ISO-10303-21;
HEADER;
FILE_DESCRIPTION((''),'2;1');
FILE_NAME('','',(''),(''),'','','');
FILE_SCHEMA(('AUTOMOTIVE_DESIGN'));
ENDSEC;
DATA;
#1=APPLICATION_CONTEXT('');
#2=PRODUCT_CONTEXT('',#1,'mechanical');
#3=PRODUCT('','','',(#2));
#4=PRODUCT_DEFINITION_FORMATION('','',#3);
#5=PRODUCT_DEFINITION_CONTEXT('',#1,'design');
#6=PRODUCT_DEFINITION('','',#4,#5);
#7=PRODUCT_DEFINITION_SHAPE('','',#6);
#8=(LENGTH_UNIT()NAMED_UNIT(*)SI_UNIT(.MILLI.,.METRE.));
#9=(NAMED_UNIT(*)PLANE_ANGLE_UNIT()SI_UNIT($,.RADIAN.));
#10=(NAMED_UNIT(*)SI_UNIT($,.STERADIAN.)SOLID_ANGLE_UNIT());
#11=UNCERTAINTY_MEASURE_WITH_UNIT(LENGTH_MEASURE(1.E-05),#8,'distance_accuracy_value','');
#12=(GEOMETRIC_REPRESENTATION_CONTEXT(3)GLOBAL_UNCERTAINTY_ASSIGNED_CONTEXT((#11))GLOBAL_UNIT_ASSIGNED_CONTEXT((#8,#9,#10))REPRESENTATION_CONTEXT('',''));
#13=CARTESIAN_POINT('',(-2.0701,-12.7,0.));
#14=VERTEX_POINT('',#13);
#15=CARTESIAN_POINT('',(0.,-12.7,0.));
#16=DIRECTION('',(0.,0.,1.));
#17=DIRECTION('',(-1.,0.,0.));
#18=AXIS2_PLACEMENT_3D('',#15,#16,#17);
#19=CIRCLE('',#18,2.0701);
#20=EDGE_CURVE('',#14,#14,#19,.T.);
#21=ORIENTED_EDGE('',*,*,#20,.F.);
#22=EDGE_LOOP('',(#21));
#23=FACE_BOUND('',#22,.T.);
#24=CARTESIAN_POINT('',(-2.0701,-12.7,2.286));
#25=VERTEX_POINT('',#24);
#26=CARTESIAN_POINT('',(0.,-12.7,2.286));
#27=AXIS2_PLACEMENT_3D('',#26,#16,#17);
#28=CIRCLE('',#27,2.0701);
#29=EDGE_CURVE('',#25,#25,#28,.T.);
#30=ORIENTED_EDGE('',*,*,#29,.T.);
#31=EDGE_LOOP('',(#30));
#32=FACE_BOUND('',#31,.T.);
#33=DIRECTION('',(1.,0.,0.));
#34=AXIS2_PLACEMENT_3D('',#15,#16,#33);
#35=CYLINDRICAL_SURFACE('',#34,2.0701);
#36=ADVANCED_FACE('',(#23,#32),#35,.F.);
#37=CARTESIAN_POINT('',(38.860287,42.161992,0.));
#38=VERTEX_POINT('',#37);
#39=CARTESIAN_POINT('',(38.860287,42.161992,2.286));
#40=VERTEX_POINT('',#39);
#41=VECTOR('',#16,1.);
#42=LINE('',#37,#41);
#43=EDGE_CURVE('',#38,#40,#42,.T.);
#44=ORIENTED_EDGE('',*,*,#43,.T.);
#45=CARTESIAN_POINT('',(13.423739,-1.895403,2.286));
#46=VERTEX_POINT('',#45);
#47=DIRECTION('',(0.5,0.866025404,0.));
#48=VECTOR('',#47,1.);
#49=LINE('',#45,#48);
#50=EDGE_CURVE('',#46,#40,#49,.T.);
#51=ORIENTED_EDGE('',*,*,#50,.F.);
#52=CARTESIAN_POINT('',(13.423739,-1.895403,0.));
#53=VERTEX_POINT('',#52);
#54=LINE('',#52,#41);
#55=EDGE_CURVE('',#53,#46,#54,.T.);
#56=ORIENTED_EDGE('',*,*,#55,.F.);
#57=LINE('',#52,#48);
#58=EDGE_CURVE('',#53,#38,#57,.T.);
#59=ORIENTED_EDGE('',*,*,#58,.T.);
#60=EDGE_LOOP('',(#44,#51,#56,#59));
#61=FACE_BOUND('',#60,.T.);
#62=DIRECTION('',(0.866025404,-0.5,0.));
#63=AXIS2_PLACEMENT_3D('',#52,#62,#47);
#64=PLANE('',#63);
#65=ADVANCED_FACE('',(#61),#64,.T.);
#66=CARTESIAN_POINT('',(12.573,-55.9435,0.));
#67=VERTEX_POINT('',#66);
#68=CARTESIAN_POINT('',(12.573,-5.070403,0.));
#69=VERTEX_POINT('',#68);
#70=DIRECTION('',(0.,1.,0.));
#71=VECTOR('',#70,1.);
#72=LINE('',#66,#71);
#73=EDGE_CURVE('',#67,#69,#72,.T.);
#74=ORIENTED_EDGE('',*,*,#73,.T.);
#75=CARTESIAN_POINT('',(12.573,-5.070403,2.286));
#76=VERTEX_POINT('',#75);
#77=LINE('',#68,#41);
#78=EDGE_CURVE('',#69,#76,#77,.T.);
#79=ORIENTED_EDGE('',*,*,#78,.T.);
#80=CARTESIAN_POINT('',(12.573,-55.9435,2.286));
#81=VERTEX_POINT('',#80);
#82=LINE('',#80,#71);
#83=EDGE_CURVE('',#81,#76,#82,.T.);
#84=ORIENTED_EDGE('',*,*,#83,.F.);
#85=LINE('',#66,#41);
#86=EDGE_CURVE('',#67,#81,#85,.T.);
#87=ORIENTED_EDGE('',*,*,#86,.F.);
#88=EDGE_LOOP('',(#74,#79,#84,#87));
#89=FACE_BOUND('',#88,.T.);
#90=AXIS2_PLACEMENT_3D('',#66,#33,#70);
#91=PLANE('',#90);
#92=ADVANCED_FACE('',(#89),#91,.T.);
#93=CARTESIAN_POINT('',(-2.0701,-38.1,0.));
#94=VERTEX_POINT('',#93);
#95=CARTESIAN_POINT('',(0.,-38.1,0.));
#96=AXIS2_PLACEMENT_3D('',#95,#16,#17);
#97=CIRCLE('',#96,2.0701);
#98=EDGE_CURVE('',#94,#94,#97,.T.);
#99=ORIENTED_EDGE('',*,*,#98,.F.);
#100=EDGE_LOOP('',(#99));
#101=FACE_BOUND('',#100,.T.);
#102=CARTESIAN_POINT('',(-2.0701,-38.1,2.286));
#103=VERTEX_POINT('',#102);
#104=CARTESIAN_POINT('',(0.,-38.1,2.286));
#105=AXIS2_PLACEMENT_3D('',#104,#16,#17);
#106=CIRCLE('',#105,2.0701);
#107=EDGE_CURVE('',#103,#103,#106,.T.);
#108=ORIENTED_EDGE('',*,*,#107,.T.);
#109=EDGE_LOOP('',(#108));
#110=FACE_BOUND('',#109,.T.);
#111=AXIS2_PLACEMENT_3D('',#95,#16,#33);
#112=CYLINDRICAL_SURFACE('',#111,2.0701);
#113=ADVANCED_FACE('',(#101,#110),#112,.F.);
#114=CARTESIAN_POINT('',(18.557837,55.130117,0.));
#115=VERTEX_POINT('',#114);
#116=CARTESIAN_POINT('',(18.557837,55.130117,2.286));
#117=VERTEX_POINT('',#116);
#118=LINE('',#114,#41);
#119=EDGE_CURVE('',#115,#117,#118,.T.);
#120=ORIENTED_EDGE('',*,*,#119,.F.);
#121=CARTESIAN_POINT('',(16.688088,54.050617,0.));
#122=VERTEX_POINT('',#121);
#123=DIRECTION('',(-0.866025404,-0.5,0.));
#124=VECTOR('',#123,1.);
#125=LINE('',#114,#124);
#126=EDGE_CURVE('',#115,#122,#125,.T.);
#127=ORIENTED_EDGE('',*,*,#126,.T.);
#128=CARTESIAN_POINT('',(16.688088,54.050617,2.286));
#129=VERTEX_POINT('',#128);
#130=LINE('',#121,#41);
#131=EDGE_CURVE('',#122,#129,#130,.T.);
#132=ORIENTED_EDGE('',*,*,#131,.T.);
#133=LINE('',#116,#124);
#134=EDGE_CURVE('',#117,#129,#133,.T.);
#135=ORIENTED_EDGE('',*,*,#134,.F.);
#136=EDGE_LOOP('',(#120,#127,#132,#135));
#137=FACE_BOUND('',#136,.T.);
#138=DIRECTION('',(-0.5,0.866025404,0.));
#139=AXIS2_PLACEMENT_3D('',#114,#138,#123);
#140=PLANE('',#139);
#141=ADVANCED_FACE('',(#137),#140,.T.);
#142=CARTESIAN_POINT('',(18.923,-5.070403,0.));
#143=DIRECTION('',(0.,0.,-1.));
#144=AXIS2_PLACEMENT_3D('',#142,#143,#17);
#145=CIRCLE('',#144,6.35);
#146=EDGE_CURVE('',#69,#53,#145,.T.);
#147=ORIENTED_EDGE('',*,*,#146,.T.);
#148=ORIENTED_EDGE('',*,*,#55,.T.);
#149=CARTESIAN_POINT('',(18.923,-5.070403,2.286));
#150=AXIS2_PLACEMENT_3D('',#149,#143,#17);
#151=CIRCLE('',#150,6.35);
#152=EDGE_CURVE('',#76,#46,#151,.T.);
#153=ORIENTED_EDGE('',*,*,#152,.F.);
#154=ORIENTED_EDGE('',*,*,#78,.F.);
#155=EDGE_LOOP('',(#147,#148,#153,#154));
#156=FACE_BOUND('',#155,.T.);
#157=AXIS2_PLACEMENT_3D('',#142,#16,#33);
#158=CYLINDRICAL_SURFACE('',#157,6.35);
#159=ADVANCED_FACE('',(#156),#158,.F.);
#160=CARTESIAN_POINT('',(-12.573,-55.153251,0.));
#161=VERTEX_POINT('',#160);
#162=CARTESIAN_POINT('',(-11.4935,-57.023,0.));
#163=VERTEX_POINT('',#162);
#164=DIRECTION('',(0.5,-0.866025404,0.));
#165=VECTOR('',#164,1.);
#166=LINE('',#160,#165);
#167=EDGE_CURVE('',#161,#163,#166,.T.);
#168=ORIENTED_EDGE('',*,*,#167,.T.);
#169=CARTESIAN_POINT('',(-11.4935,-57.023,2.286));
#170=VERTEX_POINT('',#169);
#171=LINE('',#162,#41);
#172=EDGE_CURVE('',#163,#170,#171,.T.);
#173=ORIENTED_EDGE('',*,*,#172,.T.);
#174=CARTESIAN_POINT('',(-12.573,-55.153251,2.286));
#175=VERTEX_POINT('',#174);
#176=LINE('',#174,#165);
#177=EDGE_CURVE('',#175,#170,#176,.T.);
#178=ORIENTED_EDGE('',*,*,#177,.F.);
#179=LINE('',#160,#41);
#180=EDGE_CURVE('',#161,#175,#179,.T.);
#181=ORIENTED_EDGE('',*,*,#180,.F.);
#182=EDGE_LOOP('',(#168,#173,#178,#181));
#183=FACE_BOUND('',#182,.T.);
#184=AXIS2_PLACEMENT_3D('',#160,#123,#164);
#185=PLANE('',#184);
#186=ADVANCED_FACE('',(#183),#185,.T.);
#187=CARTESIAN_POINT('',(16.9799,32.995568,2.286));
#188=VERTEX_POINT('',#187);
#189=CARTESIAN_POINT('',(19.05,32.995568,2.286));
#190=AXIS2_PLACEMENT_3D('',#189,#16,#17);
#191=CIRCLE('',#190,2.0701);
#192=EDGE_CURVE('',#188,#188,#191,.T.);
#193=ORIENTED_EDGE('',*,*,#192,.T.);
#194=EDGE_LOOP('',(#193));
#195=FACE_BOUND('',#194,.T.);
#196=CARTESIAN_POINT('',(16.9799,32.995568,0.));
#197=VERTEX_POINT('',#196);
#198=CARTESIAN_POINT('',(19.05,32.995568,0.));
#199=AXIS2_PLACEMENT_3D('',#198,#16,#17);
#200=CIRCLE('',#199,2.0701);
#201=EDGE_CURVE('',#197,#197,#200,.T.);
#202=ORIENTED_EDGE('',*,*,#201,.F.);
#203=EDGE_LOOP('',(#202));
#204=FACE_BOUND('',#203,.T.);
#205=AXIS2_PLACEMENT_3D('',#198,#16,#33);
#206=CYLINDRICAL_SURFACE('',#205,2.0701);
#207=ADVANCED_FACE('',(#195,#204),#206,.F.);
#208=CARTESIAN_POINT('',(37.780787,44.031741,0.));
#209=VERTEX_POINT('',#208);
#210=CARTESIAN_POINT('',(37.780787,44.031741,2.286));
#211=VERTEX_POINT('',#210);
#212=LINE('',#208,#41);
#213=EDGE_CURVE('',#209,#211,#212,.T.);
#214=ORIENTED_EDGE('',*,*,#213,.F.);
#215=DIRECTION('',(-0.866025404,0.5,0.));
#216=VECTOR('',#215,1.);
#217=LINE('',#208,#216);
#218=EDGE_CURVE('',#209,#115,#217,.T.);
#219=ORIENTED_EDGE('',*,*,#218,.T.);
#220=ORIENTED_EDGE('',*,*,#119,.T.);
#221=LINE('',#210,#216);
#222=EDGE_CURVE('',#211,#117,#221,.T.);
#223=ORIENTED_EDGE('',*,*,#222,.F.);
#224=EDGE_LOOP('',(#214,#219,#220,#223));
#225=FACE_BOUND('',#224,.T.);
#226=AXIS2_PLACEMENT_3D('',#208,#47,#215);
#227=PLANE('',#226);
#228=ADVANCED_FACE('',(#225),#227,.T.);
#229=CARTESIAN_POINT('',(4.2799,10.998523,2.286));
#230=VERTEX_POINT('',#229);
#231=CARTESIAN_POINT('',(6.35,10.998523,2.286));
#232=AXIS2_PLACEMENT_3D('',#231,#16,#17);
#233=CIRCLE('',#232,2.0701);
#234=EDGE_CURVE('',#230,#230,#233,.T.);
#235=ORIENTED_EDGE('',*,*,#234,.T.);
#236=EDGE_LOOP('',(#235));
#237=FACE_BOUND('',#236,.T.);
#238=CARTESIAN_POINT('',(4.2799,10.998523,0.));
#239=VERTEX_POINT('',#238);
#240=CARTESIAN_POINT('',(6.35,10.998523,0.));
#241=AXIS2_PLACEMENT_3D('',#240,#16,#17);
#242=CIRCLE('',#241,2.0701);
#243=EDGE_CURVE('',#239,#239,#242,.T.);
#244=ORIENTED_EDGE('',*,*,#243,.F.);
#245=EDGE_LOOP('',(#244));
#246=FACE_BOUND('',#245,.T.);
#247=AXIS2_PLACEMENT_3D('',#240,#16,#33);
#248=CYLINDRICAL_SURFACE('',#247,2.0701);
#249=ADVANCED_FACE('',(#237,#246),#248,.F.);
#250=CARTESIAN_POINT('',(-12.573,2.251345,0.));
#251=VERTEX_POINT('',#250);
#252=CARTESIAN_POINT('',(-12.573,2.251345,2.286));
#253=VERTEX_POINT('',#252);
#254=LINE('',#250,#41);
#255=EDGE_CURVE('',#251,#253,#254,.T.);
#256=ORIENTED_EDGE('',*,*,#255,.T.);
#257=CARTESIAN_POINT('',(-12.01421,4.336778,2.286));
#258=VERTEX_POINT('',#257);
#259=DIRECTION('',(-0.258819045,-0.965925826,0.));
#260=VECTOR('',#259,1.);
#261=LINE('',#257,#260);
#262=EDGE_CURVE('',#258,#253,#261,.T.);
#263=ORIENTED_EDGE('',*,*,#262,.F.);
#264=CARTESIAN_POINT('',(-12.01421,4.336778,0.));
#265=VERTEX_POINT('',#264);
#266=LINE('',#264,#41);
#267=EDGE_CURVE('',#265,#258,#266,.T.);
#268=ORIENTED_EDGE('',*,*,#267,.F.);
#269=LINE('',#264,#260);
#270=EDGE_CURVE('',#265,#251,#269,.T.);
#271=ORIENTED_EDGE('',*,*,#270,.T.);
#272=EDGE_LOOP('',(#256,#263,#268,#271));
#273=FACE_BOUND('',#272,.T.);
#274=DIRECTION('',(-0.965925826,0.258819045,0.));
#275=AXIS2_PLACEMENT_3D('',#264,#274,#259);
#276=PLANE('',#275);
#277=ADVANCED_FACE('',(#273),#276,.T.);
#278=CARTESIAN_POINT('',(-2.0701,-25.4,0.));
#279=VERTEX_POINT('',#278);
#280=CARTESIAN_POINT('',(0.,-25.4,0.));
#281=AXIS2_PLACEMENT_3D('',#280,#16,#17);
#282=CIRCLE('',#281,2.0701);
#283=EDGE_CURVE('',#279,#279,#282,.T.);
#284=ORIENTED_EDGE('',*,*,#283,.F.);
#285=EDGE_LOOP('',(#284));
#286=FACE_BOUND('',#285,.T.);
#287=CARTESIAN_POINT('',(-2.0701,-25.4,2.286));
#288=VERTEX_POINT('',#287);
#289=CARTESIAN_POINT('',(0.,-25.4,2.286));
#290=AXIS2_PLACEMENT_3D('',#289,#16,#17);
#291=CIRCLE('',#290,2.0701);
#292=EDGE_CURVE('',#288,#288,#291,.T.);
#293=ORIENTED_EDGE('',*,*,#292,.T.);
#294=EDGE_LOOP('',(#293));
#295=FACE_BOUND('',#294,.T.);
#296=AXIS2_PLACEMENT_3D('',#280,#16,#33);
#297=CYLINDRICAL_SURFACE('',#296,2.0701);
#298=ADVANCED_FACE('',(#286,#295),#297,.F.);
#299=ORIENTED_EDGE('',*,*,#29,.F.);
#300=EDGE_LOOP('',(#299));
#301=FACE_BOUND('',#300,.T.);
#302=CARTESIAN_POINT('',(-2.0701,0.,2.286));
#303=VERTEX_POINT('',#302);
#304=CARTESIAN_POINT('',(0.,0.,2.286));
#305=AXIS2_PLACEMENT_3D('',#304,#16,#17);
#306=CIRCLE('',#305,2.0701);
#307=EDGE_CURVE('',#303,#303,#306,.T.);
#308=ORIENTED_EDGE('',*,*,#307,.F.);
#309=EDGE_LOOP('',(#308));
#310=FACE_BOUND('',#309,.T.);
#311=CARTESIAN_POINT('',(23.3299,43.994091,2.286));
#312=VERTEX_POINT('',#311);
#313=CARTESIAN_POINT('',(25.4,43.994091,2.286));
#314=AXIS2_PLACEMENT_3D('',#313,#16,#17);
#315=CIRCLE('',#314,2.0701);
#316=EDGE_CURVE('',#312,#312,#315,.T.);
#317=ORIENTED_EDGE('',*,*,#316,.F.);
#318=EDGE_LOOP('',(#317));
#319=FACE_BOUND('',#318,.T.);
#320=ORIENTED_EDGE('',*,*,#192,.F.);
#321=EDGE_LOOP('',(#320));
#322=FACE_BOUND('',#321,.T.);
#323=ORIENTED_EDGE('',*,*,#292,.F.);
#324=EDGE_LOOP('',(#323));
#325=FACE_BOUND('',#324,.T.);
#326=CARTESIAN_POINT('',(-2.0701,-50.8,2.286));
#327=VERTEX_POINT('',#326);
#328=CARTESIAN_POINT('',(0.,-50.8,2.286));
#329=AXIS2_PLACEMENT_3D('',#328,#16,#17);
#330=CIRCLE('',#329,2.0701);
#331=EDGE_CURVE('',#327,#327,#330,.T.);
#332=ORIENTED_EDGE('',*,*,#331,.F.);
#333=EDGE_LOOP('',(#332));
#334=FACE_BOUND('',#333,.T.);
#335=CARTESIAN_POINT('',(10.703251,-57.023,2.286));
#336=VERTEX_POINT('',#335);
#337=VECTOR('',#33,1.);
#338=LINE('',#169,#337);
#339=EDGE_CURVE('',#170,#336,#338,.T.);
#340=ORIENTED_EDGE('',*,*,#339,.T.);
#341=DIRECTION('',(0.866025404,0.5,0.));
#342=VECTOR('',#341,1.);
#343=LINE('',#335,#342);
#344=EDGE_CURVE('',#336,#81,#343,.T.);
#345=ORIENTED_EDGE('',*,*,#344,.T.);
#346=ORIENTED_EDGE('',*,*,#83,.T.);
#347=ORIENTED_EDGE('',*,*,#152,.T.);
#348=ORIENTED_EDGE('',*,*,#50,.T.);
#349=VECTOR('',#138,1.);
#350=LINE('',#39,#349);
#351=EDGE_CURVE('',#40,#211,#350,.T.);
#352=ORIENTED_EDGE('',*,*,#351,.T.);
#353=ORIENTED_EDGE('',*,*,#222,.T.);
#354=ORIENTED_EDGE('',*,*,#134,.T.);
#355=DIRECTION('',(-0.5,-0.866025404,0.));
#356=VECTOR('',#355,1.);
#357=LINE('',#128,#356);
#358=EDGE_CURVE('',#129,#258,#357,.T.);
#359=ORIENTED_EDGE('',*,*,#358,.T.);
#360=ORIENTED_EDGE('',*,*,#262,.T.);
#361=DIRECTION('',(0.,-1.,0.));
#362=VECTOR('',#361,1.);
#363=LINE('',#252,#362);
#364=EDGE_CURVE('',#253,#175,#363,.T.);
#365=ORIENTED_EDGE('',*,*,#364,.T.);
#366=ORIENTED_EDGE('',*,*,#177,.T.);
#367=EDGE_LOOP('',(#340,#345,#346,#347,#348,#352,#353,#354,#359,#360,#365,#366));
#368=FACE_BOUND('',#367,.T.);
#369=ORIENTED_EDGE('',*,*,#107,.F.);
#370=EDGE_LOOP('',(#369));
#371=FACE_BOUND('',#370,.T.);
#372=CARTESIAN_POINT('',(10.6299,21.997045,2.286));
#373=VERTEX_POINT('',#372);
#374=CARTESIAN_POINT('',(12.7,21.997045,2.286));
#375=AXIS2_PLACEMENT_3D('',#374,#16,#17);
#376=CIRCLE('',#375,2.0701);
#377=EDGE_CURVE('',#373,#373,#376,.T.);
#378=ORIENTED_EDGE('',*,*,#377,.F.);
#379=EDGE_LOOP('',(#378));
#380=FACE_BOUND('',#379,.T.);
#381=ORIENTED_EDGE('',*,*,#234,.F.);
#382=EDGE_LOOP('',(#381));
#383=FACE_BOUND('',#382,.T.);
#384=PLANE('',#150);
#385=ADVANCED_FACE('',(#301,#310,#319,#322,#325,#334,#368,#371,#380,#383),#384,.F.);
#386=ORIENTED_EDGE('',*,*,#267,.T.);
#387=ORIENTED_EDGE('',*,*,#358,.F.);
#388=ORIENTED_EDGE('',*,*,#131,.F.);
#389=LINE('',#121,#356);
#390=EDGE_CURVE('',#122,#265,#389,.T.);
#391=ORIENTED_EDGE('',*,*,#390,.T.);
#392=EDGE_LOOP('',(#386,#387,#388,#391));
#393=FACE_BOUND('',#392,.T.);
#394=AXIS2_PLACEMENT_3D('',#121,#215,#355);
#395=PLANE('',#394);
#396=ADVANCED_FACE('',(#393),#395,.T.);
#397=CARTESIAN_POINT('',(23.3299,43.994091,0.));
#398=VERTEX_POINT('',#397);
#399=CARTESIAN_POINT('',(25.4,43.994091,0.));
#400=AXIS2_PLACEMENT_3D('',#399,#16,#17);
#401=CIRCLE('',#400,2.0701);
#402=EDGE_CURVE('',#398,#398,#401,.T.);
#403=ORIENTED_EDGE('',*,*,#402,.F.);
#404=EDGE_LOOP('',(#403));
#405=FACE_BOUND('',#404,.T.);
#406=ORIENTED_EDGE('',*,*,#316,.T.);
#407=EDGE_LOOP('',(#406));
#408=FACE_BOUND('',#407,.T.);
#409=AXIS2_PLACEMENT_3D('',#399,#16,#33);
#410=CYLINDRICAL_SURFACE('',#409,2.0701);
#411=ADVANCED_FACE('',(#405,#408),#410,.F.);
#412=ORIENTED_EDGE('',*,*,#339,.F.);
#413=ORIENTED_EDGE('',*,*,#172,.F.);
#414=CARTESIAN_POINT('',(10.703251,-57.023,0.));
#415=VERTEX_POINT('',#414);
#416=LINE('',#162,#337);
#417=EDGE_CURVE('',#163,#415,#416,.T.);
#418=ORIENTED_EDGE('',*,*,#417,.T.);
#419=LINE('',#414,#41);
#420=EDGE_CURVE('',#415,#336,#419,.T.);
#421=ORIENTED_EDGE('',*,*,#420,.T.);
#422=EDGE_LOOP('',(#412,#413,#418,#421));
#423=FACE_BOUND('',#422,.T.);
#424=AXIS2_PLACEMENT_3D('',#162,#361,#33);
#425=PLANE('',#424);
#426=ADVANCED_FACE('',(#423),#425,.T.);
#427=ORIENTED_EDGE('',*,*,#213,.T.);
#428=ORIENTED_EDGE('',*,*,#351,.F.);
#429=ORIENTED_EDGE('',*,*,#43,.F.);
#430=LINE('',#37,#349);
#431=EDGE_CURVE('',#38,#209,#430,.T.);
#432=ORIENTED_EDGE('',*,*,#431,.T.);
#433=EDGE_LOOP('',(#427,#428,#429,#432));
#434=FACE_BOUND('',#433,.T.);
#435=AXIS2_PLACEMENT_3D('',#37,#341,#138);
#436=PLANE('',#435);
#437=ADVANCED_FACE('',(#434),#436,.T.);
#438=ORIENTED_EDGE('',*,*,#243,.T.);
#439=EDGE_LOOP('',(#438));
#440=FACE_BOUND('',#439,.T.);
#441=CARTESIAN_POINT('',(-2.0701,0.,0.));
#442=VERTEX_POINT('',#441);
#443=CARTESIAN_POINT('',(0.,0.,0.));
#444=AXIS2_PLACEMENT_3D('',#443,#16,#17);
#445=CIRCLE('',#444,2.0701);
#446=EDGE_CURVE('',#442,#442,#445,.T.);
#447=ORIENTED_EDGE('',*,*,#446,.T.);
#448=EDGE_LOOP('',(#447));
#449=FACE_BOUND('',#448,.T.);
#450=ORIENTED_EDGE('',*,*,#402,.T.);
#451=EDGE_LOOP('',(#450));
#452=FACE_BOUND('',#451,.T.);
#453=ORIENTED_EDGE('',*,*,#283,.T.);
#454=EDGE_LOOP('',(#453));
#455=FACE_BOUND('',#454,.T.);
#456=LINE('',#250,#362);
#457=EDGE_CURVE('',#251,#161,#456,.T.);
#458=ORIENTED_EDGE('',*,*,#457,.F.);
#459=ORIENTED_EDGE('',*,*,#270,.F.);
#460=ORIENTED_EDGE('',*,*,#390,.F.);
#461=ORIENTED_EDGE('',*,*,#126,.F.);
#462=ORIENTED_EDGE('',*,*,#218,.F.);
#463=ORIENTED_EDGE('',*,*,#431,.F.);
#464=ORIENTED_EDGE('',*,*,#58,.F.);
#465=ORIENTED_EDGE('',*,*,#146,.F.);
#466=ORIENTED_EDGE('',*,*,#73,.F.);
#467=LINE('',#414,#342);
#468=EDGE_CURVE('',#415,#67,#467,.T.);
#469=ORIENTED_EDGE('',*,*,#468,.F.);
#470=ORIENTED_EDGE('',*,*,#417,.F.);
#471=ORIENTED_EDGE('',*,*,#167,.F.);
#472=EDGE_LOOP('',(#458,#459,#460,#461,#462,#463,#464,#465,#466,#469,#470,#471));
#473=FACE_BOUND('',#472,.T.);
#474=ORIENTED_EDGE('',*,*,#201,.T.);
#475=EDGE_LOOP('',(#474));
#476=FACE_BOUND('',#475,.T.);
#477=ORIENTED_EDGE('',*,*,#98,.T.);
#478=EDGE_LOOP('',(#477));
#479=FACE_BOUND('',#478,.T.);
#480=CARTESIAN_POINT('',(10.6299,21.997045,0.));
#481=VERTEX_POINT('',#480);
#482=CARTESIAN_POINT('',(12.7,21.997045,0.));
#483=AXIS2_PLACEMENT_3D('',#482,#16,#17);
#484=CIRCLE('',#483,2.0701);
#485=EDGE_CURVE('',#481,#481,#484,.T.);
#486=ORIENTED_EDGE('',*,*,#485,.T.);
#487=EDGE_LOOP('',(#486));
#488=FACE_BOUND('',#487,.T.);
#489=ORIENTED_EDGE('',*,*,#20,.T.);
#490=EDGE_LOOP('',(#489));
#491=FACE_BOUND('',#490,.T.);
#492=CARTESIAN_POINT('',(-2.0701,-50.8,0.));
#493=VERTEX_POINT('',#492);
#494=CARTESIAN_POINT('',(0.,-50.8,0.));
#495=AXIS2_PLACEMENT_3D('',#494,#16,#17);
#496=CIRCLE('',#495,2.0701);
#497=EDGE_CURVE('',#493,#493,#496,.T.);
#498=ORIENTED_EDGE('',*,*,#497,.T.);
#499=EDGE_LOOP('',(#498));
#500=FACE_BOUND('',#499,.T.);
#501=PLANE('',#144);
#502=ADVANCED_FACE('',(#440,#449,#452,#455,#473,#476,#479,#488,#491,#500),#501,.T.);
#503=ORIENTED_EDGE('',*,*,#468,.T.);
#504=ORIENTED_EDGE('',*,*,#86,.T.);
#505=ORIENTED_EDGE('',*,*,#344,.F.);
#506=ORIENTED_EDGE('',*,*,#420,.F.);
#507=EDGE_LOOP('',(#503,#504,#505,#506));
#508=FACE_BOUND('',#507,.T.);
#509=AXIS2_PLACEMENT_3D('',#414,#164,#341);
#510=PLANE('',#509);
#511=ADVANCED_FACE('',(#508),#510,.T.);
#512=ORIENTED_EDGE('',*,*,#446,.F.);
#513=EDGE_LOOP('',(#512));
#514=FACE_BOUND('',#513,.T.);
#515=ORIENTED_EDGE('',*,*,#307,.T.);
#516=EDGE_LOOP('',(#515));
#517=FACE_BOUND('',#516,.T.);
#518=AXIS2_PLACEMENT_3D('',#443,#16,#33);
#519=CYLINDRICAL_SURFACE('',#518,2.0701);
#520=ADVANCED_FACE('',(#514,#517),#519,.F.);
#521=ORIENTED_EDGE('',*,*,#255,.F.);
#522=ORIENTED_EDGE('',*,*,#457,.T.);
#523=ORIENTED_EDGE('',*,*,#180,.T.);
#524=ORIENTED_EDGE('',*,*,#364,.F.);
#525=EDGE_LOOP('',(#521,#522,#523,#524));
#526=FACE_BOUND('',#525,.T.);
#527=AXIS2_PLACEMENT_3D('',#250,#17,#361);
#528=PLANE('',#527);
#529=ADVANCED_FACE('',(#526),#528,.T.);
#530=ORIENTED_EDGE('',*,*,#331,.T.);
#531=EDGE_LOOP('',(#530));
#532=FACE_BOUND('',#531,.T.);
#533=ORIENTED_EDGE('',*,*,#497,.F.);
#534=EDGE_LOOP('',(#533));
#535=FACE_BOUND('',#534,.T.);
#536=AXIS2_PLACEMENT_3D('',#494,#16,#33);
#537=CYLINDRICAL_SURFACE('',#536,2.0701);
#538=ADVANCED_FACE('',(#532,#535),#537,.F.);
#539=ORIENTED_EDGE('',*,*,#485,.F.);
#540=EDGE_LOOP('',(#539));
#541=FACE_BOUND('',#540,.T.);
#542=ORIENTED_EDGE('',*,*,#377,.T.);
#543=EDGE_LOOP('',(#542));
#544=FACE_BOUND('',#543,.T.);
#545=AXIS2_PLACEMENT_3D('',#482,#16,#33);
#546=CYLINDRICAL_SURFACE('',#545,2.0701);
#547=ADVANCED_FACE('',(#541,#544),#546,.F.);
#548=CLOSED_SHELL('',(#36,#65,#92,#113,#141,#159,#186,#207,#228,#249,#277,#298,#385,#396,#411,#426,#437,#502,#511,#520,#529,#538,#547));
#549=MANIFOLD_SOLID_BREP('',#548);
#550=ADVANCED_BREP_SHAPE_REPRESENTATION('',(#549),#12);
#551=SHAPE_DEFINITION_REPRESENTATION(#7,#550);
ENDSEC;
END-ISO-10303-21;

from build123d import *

# Parameters (mm, degrees)
SKETCH1_R           = 2.0701
BOSS_EXTRUDE1_DEPTH = 2.286


with BuildPart() as part:
    # Sketch1 → Boss-Extrude1 (new body)
    with BuildSketch(Plane.XY.offset(2.286)):
        with BuildLine():
            Line((16.688088175, 54.0506166), (-12.014209682, 4.336778419))
            Line((-12.014209682, 4.336778419), (-12.573, 2.25134456))
            Line((-12.573, 2.25134456), (-12.573, -55.153251153))
            Line((-12.573, -55.153251153), (-11.4935, -57.023))
            Line((-11.4935, -57.023), (10.703251153, -57.023))
            Line((10.703251153, -57.023), (12.573, -55.9435))
            Line((12.573, -55.9435), (12.573, -5.070402568))
            ThreePointArc((12.573, -5.070402568), (12.789371003, -3.426901632), (13.423738686, -1.895402568))
            Line((13.423738686, -1.895402568), (38.860287402, 42.161992177))
            Line((38.860287402, 42.161992177), (37.780787402, 44.031741023))
            Line((37.780787402, 44.031741023), (18.557837022, 55.1301166))
            Line((18.557837022, 55.1301166), (16.688088175, 54.0506166))
        make_face()
        Circle(SKETCH1_R, mode=Mode.SUBTRACT)
        with Locations((0, -38.1)):
            Circle(SKETCH1_R, mode=Mode.SUBTRACT)
        with Locations((0, -12.7)):
            Circle(SKETCH1_R, mode=Mode.SUBTRACT)
        with Locations((0, -25.4)):
            Circle(SKETCH1_R, mode=Mode.SUBTRACT)
        with Locations((0, -50.8)):
            Circle(SKETCH1_R, mode=Mode.SUBTRACT)
        with Locations((19.05, 32.995567884)):
            Circle(SKETCH1_R, mode=Mode.SUBTRACT)
        with Locations((6.35, 10.998522628)):
            Circle(SKETCH1_R, mode=Mode.SUBTRACT)
        with Locations((12.7, 21.997045256)):
            Circle(SKETCH1_R, mode=Mode.SUBTRACT)
        with Locations((25.4, 43.994090512)):
            Circle(SKETCH1_R, mode=Mode.SUBTRACT)
    extrude(amount=-BOSS_EXTRUDE1_DEPTH)


solid = part.part
